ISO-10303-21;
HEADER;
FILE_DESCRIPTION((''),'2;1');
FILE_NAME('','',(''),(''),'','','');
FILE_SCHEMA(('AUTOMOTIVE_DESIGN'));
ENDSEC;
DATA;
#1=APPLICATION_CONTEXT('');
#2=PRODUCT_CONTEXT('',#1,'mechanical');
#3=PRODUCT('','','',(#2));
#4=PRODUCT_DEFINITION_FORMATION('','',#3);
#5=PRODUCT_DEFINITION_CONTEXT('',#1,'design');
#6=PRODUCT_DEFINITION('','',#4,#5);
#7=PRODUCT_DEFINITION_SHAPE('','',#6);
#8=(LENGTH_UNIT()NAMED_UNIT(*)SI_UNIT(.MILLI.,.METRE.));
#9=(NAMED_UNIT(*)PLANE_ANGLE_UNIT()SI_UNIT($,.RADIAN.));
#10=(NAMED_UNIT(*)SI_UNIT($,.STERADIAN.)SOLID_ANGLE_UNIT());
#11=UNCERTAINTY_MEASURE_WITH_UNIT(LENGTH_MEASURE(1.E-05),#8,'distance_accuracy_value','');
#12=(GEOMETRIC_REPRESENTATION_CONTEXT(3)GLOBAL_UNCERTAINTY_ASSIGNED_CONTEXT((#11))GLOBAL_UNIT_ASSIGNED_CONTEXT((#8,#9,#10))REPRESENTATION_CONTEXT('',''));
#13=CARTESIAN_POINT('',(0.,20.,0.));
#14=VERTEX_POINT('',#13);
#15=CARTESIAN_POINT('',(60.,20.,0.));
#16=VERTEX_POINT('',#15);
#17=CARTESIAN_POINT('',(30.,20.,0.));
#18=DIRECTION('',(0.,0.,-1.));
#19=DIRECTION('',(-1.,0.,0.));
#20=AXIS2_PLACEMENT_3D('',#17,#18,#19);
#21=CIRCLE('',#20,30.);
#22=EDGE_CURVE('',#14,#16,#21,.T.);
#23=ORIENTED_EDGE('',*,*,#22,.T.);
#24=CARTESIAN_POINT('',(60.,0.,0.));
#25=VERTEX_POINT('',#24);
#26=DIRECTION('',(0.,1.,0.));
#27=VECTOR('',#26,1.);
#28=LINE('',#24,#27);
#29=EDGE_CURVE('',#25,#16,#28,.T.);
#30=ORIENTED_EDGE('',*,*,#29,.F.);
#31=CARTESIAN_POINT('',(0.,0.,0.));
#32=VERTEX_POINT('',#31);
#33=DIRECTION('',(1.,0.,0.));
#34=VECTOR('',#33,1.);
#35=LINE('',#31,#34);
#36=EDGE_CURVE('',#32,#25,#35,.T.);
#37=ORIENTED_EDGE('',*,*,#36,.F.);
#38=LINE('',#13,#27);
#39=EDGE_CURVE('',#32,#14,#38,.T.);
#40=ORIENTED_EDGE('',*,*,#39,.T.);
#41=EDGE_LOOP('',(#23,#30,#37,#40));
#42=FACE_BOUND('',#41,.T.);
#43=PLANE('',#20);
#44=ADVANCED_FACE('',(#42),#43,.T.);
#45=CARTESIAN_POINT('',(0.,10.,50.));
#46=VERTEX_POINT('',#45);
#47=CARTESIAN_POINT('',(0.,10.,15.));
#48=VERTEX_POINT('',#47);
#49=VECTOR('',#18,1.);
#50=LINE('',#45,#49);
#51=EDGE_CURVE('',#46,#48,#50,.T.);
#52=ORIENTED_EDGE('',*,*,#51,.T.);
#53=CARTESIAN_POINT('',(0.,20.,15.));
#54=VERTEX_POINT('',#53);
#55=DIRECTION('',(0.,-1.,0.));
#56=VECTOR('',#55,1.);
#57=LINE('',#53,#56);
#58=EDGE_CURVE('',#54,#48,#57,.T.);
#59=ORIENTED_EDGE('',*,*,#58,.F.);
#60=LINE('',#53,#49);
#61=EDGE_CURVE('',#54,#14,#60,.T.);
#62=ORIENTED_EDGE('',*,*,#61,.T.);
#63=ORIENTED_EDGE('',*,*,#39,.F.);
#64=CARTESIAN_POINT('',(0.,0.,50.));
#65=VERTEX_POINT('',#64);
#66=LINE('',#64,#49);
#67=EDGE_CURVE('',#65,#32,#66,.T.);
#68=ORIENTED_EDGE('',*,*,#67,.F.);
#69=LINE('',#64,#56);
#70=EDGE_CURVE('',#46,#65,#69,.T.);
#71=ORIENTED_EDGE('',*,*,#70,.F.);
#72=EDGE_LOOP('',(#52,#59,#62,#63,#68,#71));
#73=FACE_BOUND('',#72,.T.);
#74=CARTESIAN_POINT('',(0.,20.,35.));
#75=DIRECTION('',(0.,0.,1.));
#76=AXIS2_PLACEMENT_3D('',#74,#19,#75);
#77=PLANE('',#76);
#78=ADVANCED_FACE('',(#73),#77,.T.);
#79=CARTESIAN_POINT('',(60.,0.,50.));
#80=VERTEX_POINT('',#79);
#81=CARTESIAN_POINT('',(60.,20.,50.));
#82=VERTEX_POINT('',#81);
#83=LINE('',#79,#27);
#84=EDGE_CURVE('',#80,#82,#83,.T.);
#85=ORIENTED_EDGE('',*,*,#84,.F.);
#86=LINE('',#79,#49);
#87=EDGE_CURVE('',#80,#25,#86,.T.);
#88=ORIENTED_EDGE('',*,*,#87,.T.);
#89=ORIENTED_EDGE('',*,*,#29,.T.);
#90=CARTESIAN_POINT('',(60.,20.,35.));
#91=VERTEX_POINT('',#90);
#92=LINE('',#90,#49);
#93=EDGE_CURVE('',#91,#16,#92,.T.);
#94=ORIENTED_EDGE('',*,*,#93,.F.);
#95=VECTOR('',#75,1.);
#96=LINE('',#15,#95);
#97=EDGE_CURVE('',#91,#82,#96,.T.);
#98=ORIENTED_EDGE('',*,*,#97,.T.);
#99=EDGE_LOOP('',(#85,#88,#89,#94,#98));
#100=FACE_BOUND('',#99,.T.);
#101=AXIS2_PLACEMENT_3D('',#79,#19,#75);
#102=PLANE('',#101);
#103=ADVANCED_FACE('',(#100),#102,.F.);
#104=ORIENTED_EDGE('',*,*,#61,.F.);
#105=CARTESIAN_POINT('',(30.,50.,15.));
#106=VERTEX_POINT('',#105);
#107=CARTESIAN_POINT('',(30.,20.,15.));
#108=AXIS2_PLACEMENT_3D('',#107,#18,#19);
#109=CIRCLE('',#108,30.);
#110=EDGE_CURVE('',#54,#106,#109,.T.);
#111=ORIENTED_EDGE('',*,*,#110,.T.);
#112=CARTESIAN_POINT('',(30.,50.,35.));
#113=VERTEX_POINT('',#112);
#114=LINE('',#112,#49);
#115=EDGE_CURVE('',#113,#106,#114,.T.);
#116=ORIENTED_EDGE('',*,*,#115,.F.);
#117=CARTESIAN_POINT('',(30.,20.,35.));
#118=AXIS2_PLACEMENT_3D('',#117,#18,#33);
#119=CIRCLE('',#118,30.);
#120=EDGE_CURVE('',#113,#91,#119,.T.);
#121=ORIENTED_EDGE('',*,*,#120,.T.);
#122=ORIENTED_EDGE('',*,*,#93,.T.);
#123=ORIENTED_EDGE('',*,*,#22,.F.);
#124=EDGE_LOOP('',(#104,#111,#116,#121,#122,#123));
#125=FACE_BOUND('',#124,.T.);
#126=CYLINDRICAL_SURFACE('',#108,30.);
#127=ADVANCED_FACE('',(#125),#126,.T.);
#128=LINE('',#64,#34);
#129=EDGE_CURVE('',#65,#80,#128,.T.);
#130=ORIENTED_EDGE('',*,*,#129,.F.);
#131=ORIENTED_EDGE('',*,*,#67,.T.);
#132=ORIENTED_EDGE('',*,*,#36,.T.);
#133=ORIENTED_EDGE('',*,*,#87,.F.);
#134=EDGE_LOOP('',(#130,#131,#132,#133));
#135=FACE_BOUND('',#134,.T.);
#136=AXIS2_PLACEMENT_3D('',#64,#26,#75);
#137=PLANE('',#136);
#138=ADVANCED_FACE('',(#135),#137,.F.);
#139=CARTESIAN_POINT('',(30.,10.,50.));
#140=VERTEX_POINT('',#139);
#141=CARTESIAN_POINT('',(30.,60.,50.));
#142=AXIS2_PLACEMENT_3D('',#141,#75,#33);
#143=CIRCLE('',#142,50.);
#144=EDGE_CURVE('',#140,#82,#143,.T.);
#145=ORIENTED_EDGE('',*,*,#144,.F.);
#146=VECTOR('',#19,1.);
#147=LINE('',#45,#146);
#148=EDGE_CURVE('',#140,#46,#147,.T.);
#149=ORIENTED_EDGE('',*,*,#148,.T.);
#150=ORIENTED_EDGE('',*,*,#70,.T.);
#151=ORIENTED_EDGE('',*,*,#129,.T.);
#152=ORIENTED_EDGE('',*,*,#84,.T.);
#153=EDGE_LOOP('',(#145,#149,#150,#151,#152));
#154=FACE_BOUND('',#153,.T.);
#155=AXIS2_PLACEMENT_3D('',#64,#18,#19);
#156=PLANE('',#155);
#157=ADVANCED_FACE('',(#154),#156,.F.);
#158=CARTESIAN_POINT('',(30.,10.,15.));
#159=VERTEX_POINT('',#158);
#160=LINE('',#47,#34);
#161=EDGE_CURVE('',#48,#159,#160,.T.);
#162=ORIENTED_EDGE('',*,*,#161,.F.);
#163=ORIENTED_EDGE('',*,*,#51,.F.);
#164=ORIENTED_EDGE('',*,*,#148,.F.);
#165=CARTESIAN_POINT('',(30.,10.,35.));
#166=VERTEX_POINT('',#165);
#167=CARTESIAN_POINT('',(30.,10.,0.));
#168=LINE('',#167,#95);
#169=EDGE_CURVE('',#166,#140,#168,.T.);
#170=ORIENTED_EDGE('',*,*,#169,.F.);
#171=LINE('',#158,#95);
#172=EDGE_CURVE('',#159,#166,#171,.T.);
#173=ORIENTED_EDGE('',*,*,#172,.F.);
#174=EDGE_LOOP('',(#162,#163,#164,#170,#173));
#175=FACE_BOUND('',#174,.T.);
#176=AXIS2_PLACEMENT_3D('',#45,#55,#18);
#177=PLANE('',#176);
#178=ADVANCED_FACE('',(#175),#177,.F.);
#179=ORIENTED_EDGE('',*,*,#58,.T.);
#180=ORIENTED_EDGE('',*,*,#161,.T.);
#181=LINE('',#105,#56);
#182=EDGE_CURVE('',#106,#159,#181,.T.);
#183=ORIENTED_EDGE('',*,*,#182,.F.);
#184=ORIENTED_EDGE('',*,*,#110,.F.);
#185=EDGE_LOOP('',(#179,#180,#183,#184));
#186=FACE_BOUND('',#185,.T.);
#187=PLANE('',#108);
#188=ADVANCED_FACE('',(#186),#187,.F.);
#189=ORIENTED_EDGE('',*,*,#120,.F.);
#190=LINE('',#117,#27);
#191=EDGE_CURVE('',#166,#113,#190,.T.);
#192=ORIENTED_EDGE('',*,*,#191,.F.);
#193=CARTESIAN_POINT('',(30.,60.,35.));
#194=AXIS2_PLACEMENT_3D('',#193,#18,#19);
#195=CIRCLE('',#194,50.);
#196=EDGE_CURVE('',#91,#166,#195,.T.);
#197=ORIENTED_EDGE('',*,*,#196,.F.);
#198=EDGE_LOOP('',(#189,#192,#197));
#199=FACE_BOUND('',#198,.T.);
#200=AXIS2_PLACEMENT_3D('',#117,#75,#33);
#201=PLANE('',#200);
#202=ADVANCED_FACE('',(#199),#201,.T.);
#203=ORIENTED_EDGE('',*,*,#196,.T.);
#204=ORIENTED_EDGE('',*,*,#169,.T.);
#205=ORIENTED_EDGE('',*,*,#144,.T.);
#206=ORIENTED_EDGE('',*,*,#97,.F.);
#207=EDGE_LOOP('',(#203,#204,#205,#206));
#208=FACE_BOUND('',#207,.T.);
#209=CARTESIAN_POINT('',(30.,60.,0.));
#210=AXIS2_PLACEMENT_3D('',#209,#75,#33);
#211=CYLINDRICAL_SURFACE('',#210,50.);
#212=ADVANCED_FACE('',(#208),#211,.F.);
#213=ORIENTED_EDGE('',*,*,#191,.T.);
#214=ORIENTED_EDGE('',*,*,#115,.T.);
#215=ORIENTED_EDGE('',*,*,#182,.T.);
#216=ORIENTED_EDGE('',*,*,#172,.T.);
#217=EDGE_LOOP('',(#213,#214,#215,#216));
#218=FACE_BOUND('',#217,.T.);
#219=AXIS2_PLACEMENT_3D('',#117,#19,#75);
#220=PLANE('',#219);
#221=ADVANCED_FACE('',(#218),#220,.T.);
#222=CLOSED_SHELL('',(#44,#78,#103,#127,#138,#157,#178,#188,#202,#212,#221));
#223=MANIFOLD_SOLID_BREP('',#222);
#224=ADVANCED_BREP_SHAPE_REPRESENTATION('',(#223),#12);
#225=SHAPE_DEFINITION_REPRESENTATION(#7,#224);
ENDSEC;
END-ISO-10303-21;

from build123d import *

# Parameters (mm, degrees)
SKETCH2_W            = 60
SKETCH2_H            = 10
BOSS_EXTRUDE10_DEPTH = 50
BOSS_EXTRUDE11_DEPTH = 15
BOSS_EXTRUDE12_DEPTH = 35
BOSS_EXTRUDE14_DEPTH = 50
BOSS_EXTRUDE18_DEPTH = 35
SKETCH14_W           = 30
SKETCH14_H           = 10
CUT_EXTRUDE1_DEPTH   = 20


with BuildPart() as part:
    # Sketch2 → Boss-Extrude10 (new body)
    with BuildSketch(Plane.XY):
        with Locations((30, 5)):
            Rectangle(SKETCH2_W, SKETCH2_H)
    extrude(amount=BOSS_EXTRUDE10_DEPTH)

    # Sketch12 → Boss-Extrude14 (add)
    with BuildSketch(Plane.XY.offset(50)):
        with BuildLine():
            Line((30, 10), (60, 10))
            Line((60, 10), (60, 20))
            ThreePointArc((60, 20), (45.811388301, 12.565835097), (30, 10))
        make_face()
    extrude(amount=-BOSS_EXTRUDE14_DEPTH)



with BuildPart() as body_2:
    # Sketch9 → Boss-Extrude11 (new body)
    with BuildSketch(Plane(origin=(0, 0, 0), x_dir=(-1, 0, 0), z_dir=(0, 0, -1))):
        with BuildLine():
            Line((-30, 50), (-30, 20))
            Line((-30, 20), (0, 20))
            ThreePointArc((0, 20), (-8.786796564, 41.213203436), (-30, 50))
        make_face()
    extrude(amount=-BOSS_EXTRUDE11_DEPTH)

    # Sketch10 → Boss-Extrude12 (add)
    with BuildSketch(Plane(origin=(0, 0, 0), x_dir=(-1, 0, 0), z_dir=(0, 0, -1))):
        with BuildLine():
            Line((-60, 20), (-30, 20))
            Line((-30, 20), (-30, 50))
            ThreePointArc((-30, 50), (-51.213203436, 41.213203436), (-60, 20))
        make_face()
    extrude(amount=-BOSS_EXTRUDE12_DEPTH)


with BuildPart() as part_1:
    add(part.part)

    add(body_2.part)  # Boss-Extrude18 merges body 2
    # Sketch13 → Boss-Extrude18 (add)
    with BuildSketch(Plane(origin=(0, 0, 0), x_dir=(-1, 0, 0), z_dir=(0, 0, -1))):
        with BuildLine():
            Line((0, 20), (-60, 20))
            ThreePointArc((-60, 20), (-45.811388301, 12.565835097), (-30, 10))
            Line((-30, 10), (0, 10))
            Line((0, 10), (0, 20))
        make_face()
    extrude(amount=-BOSS_EXTRUDE18_DEPTH)

    # Sketch14 → Cut-Extrude1 (cut)
    with BuildSketch(Plane.XY.offset(35)):
        with Locations((15, 15)):
            Rectangle(SKETCH14_W, SKETCH14_H)
    extrude(amount=-CUT_EXTRUDE1_DEPTH, mode=Mode.SUBTRACT)


solid = part_1.part
